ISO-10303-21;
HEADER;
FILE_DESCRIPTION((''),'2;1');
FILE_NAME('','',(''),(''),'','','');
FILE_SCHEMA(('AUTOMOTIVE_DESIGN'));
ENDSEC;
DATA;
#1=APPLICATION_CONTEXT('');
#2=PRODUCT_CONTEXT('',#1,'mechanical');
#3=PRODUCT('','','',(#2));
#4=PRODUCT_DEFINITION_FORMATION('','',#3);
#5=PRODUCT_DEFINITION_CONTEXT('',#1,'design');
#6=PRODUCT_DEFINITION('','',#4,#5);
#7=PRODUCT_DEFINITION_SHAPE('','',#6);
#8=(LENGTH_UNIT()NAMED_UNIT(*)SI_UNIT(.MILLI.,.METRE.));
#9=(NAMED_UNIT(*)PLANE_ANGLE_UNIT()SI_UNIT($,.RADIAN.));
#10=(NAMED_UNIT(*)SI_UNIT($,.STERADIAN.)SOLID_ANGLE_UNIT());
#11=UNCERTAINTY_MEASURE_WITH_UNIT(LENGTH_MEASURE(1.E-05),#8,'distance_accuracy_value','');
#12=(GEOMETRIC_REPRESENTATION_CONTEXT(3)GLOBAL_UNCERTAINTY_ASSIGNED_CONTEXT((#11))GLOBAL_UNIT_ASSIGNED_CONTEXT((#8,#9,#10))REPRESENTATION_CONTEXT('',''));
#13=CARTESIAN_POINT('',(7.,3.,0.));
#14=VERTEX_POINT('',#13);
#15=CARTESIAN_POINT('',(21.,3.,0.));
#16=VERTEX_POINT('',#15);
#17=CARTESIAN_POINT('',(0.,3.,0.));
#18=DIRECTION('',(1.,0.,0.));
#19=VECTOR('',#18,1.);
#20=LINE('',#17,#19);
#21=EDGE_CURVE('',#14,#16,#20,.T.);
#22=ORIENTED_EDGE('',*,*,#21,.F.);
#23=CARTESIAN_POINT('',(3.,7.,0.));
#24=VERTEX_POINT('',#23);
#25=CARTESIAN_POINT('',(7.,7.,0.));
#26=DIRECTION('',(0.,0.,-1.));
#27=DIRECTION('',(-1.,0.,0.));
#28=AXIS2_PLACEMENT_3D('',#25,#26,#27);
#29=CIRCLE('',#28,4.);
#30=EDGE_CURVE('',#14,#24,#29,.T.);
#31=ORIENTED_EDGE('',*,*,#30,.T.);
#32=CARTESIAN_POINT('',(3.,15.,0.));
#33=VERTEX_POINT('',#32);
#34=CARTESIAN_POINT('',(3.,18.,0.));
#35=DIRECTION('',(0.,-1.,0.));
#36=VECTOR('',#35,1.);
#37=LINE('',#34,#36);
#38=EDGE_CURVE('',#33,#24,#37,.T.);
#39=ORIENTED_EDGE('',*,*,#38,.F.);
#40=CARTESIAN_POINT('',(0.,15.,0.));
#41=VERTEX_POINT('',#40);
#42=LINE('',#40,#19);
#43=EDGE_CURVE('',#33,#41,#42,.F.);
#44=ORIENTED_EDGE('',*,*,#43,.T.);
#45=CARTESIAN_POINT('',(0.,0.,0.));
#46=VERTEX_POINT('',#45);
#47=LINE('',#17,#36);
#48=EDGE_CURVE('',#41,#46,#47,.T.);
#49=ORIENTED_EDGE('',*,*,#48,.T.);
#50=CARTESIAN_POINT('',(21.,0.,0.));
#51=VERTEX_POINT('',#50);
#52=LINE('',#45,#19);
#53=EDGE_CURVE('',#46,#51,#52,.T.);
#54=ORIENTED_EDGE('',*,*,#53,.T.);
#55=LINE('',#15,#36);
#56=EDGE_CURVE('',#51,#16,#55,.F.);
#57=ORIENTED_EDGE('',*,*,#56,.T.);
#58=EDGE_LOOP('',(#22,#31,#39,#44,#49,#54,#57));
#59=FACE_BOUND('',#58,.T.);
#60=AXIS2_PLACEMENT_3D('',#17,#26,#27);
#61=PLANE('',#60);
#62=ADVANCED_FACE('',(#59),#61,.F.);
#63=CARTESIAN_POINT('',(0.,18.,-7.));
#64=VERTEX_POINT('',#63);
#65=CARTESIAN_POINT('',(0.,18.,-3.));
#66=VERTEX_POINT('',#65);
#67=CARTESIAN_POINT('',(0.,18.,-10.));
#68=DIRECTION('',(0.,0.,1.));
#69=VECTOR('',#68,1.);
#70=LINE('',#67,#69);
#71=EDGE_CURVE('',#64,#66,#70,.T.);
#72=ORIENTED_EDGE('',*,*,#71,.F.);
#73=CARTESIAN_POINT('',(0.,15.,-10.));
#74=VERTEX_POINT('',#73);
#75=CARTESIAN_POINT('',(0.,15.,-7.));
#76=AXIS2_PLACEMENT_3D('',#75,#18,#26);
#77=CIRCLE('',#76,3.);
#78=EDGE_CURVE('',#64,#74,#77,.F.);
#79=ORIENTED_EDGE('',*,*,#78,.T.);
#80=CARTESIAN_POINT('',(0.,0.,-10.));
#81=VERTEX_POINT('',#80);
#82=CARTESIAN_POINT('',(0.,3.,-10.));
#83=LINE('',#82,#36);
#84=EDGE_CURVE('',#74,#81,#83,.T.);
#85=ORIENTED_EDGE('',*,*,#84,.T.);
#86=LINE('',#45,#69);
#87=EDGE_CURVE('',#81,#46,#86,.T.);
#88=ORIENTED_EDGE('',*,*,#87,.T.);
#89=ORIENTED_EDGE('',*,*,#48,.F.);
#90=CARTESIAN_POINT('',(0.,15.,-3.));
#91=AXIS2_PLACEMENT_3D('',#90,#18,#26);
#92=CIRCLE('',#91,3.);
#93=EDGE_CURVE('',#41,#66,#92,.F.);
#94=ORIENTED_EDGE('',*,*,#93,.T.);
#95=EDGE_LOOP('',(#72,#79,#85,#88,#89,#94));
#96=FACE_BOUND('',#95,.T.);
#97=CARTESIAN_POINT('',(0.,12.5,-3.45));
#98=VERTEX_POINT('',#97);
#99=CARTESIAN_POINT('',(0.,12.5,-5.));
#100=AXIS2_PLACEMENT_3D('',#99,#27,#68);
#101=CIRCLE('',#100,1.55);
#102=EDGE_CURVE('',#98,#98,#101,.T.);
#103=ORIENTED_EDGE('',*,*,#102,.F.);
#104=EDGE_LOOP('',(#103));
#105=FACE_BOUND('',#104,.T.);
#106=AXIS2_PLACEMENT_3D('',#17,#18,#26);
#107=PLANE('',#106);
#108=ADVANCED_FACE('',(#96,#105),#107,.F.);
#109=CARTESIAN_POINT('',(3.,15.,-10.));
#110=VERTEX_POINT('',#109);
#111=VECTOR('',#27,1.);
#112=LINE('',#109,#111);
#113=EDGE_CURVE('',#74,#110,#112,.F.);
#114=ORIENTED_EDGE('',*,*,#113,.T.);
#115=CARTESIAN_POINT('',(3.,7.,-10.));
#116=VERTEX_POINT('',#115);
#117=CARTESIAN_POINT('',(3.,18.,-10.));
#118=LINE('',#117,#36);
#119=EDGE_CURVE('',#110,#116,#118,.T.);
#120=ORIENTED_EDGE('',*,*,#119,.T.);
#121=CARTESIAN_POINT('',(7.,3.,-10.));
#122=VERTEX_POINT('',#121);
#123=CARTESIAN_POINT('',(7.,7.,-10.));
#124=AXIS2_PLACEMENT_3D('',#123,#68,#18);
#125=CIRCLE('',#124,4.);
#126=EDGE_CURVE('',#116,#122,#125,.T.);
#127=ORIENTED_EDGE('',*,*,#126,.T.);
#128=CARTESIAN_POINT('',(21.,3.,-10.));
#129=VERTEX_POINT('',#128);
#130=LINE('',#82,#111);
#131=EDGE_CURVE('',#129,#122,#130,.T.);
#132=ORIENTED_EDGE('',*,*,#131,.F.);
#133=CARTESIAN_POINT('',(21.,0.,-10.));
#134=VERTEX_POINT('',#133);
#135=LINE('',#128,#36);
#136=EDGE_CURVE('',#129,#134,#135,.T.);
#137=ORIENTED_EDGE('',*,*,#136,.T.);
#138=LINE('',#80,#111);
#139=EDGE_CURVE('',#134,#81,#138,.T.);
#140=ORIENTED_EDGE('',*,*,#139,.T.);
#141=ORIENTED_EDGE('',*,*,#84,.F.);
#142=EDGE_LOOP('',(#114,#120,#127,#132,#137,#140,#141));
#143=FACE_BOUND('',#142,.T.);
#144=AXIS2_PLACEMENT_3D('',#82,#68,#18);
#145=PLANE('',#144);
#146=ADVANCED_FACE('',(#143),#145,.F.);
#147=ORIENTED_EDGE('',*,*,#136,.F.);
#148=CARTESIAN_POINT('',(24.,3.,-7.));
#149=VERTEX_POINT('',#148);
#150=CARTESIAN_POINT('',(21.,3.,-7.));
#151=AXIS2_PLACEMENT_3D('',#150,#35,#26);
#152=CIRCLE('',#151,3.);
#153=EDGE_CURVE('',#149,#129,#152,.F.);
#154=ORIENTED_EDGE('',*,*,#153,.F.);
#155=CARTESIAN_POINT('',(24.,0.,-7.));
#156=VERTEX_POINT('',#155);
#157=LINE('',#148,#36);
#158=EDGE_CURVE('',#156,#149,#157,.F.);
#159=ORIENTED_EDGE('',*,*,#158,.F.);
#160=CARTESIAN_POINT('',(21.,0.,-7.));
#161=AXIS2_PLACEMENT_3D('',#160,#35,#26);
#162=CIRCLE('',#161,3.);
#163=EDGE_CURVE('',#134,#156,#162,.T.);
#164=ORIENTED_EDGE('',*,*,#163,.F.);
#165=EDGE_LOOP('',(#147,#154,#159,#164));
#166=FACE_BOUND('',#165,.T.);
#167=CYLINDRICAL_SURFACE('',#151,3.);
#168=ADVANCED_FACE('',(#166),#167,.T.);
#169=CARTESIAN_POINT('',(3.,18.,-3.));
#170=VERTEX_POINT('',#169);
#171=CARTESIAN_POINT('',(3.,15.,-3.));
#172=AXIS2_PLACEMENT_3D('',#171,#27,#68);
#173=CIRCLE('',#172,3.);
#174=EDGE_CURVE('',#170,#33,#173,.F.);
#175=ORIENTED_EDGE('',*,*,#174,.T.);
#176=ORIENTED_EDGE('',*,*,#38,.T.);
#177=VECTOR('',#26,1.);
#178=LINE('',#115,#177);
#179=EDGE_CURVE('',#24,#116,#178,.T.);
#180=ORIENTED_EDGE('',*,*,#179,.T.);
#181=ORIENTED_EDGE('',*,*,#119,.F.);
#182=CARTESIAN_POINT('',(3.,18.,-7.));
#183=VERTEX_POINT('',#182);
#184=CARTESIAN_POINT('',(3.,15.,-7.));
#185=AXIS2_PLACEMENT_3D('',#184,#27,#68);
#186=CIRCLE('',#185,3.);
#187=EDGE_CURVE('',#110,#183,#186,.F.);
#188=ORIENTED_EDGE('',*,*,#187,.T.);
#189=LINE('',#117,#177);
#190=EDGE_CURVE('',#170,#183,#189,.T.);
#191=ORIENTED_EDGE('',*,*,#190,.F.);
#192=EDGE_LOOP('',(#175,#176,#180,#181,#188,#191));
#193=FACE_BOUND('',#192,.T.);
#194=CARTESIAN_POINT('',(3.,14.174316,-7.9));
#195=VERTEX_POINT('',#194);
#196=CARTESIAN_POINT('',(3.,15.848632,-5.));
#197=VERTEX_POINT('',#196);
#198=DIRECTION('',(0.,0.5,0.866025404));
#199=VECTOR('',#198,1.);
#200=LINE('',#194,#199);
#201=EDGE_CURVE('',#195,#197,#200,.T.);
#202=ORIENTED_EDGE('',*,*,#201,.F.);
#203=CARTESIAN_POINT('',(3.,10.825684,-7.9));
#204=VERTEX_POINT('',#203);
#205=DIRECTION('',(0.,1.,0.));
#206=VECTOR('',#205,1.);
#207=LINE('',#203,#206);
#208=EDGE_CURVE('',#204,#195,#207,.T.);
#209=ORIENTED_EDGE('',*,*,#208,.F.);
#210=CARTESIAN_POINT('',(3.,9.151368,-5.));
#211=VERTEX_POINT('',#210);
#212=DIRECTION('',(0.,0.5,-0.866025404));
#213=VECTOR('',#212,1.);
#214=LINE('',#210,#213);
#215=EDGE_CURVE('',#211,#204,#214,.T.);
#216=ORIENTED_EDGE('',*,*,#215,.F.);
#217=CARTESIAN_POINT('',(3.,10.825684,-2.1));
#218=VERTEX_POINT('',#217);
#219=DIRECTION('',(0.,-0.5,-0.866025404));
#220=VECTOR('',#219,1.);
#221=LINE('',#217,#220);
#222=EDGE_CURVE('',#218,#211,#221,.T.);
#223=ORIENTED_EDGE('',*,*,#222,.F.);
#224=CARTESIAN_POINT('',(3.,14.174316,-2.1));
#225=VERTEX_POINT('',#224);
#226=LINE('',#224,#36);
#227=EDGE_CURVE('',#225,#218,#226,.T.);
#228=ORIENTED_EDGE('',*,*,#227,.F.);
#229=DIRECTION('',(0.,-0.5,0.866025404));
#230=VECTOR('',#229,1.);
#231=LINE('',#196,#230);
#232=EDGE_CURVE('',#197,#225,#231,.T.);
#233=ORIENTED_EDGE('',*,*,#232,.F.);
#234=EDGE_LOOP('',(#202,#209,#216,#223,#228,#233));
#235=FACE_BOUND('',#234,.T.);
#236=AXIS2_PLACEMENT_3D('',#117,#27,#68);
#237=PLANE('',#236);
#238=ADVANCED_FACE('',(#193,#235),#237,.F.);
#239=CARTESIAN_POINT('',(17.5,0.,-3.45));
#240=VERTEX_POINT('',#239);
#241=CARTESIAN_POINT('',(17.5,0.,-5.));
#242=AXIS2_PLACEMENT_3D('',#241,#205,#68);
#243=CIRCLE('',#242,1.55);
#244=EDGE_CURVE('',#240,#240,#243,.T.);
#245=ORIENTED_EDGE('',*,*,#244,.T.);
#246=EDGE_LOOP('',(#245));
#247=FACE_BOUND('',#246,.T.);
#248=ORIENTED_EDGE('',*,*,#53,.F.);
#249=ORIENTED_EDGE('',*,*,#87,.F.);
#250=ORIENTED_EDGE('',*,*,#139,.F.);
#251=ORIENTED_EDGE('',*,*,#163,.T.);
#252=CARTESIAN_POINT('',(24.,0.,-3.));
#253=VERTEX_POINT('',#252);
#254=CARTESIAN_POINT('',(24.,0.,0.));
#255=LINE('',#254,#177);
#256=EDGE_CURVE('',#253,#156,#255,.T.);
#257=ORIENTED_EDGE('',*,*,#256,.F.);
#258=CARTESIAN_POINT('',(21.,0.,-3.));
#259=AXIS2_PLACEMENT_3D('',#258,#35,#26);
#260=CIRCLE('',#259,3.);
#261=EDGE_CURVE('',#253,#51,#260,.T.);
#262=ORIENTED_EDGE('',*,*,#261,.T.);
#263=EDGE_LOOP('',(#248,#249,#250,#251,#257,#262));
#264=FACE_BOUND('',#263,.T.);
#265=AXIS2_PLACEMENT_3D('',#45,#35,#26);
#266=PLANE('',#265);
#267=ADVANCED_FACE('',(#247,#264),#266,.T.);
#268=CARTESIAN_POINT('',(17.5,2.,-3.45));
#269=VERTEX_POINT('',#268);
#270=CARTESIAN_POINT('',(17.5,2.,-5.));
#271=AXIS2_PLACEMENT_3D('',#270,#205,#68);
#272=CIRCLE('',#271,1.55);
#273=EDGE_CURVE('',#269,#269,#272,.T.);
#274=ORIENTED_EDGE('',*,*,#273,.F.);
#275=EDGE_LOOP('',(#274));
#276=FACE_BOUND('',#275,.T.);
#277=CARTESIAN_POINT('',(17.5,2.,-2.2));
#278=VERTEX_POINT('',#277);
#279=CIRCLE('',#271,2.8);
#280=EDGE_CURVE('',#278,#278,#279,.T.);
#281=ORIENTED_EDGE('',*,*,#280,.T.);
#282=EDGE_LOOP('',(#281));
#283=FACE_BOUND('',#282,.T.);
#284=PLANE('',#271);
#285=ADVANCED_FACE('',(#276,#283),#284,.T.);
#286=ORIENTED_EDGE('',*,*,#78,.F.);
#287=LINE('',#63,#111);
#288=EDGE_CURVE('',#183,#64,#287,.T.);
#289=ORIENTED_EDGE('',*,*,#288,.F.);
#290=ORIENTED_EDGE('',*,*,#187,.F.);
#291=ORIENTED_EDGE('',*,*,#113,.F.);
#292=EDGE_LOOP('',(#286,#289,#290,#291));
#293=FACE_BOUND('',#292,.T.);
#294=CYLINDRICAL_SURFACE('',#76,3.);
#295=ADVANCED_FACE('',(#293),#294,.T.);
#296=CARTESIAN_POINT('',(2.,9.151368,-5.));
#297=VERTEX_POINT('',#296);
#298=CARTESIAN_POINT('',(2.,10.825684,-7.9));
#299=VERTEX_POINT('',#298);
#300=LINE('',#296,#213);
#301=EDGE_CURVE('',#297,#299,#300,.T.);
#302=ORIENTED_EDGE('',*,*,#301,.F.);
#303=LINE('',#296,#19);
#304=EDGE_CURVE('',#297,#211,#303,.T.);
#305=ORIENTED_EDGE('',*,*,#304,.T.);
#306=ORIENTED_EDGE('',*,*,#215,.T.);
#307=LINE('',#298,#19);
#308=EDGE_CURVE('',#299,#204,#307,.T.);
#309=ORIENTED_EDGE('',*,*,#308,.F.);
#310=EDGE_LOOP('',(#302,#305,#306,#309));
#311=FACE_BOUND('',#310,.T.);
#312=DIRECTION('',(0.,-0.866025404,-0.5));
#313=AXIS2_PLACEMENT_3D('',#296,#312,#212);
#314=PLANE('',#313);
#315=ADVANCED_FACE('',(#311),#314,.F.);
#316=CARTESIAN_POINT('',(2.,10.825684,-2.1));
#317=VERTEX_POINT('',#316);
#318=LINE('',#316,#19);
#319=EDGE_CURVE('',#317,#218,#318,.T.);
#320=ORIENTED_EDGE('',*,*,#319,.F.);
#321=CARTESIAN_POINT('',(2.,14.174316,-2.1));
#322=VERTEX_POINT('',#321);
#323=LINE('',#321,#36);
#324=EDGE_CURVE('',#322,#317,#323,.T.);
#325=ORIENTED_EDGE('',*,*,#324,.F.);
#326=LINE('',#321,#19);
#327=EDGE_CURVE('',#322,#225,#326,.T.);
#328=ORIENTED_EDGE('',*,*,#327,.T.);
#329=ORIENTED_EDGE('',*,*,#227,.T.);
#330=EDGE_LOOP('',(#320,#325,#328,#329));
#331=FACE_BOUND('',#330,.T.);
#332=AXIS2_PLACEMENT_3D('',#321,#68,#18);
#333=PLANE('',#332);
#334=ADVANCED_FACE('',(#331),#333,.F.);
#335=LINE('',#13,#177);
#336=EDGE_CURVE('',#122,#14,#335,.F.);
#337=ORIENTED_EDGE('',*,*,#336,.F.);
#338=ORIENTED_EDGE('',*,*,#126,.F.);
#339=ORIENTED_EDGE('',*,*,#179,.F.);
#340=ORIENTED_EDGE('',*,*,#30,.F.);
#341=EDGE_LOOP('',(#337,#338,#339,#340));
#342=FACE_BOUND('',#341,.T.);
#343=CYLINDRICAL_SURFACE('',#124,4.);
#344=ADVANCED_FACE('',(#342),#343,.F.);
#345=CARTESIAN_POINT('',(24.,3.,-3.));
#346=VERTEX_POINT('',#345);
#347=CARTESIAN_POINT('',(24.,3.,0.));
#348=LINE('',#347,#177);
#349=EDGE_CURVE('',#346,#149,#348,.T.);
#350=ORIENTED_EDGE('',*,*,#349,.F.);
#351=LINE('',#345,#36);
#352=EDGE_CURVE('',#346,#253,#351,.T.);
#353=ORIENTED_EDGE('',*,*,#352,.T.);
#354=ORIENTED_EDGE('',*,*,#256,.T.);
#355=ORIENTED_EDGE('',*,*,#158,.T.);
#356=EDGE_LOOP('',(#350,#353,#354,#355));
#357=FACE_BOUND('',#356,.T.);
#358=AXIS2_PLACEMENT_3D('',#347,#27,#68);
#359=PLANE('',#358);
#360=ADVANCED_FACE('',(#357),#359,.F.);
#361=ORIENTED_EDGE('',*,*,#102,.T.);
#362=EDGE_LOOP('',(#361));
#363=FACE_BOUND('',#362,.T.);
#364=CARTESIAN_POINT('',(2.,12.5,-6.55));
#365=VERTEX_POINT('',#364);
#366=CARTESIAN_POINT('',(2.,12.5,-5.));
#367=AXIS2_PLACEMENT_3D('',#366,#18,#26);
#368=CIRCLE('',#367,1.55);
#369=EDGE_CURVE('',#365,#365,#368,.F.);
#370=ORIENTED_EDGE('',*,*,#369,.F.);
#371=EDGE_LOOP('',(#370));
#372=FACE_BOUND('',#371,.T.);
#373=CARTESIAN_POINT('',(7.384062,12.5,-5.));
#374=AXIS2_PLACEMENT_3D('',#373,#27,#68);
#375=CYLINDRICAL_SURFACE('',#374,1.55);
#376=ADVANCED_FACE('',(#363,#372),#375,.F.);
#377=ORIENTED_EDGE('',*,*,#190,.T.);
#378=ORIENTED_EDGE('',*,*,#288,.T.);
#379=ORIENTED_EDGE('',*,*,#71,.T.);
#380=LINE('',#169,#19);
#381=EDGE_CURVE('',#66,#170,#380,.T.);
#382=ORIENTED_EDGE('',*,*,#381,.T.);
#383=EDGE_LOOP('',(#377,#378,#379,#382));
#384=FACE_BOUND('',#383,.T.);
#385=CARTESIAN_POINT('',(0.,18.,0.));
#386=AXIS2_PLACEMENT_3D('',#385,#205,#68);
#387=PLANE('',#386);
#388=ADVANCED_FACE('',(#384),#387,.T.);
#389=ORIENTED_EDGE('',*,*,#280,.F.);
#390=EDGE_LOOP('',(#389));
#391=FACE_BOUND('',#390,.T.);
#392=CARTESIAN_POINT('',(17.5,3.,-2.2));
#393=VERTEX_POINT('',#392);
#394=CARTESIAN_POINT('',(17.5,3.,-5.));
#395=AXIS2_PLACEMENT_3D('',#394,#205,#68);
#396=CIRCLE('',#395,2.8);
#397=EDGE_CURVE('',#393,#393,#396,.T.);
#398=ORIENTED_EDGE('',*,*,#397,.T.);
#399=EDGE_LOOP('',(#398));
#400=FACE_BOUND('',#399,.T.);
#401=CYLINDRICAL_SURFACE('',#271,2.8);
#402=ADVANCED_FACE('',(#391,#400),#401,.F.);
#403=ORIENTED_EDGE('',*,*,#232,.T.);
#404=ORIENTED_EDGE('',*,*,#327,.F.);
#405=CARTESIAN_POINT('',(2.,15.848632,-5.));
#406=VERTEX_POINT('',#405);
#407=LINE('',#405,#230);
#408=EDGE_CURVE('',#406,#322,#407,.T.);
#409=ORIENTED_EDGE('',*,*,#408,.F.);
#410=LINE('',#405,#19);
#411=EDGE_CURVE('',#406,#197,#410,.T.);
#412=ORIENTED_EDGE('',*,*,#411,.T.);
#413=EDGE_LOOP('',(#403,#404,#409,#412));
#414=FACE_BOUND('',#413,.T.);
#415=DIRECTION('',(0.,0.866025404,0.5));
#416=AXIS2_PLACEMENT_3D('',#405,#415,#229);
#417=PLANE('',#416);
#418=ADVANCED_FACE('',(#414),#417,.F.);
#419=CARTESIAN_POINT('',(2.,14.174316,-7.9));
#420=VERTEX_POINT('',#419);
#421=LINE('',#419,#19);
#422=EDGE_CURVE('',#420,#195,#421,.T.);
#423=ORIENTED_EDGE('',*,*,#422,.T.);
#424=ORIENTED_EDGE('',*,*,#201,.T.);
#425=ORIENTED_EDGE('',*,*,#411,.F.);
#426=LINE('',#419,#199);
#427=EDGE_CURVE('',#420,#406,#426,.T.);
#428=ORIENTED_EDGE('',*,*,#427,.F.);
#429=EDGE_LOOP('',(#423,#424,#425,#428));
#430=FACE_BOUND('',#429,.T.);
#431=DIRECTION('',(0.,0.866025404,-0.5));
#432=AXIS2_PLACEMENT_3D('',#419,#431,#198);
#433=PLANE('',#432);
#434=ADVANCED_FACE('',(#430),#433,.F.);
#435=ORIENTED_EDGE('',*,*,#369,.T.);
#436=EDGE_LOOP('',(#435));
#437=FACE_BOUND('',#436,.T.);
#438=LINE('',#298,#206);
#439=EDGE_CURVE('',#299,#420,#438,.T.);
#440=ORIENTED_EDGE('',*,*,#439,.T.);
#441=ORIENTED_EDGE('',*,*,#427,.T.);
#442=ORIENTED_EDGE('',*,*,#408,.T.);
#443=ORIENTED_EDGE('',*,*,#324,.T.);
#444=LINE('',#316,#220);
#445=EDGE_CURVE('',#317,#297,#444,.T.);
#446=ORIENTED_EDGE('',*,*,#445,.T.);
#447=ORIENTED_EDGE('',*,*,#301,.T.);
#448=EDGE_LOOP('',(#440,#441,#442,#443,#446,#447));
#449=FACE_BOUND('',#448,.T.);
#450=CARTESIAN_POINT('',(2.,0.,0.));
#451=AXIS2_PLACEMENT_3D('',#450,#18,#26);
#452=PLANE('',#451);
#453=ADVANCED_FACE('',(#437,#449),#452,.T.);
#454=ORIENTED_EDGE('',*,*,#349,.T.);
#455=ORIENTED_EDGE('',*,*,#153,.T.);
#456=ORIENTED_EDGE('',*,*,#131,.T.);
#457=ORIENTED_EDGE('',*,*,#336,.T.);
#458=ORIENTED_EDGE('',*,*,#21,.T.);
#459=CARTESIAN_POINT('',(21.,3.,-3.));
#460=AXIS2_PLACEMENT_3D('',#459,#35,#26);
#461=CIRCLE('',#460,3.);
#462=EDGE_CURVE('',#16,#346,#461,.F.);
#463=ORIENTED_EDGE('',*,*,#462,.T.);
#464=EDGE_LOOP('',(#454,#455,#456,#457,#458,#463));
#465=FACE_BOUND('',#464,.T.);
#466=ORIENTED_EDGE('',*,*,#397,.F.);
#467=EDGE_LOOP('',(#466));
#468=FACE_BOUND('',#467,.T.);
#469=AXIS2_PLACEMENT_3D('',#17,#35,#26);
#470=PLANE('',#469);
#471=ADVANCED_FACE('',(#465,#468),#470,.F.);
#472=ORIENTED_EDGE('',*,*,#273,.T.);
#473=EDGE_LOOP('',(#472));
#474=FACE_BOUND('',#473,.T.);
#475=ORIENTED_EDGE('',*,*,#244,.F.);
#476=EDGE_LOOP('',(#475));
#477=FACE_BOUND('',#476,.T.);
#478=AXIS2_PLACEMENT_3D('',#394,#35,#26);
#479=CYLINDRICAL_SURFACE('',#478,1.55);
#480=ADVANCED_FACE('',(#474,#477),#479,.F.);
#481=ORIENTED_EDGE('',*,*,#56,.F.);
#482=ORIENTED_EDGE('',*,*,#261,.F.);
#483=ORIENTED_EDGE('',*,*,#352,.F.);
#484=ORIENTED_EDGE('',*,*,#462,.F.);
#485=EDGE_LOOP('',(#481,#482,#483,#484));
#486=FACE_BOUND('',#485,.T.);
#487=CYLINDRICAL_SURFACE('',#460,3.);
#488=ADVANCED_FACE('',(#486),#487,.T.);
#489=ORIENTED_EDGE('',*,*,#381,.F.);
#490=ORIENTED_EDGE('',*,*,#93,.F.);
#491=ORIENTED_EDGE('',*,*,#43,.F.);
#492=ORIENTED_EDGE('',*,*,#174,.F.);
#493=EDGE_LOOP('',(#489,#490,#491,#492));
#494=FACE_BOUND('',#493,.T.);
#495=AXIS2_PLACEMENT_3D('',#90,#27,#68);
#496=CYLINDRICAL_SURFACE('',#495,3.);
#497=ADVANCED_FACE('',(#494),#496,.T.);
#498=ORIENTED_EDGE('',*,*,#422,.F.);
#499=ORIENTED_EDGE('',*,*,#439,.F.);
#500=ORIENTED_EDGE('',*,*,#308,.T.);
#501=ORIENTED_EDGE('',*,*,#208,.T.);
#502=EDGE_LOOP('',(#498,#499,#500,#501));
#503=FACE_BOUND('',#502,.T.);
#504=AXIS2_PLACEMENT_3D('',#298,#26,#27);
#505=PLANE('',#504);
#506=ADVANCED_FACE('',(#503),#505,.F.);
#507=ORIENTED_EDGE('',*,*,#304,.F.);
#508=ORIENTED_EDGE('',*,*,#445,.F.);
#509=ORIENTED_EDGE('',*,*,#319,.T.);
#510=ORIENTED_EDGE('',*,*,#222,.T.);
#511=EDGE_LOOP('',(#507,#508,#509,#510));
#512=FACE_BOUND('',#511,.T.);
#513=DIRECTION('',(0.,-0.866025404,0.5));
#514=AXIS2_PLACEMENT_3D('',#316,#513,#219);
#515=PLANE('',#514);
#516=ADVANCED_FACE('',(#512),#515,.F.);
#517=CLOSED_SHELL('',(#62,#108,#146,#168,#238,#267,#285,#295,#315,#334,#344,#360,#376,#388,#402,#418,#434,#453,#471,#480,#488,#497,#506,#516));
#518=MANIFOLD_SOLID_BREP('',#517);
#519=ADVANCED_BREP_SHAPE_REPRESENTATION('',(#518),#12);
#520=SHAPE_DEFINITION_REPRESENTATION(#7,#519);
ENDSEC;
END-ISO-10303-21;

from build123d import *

# Parameters (mm, degrees)
CROQUIS1_W              = 24
CROQUIS1_H              = 10
CROQUIS1_R              = 1.55
SALIENTE_EXTRUIR1_DEPTH = 3
CROQUIS2_W              = 3
CROQUIS2_H              = 10
SALIENTE_EXTRUIR2_DEPTH = 15
CROQUIS3_R              = 1.55
CORTAR_EXTRUIR1_DEPTH   = 3
CROQUIS4_R              = 2.8
CORTAR_EXTRUIR2_DEPTH   = 1
CORTAR_EXTRUIR3_DEPTH   = 1
REDONDEO1_R             = 3
REDONDEO2_R             = 4


with BuildPart() as part:
    # Croquis1 → Saliente-Extruir1 (new body)
    with BuildSketch(Plane(origin=(0, 0, 0), x_dir=(1, 0, 0), z_dir=(0, 1, 0))):
        with Locations((12, 5)):
            Rectangle(CROQUIS1_W, CROQUIS1_H)
        with Locations(Location((17.5, 5, 0), (0, 0, 270))):
            Circle(CROQUIS1_R, mode=Mode.SUBTRACT)
    extrude(amount=SALIENTE_EXTRUIR1_DEPTH)

    # Croquis2 → Saliente-Extruir2 (add)
    with BuildSketch(Plane(origin=(0, 3, 0), x_dir=(1, 0, 0), z_dir=(0, 1, 0))):
        with Locations((1.5, 5)):
            Rectangle(CROQUIS2_W, CROQUIS2_H)
    extrude(amount=SALIENTE_EXTRUIR2_DEPTH)

    # Croquis3 → Cortar-Extruir1 (cut)
    with BuildSketch(Plane.ZY):
        with Locations((-5, 12.5)):
            Circle(CROQUIS3_R)
    extrude(amount=-CORTAR_EXTRUIR1_DEPTH, mode=Mode.SUBTRACT)

    # Croquis4 → Cortar-Extruir2 (cut)
    with BuildSketch(Plane(origin=(0, 3, 0), x_dir=(1, 0, 0), z_dir=(0, 1, 0))):
        with Locations(Location((17.5, 5, 0), (0, 0, 270))):
            Circle(CROQUIS4_R)
    extrude(amount=-CORTAR_EXTRUIR2_DEPTH, mode=Mode.SUBTRACT)

    # Croquis5 → Cortar-Extruir3 (cut)
    with BuildSketch(Plane(origin=(3, 0, 0), x_dir=(0, 0, -1), z_dir=(1, 0, 0))):
        Polygon((7.9, 14.174315781), (5, 15.848631561), (2.1, 14.174315781), (2.1, 10.825684219), (5, 9.151368439), (7.9, 10.825684219), align=None)
    extrude(amount=-CORTAR_EXTRUIR3_DEPTH, mode=Mode.SUBTRACT)

    # Redondeo1
    redondeo1_edges = [part.edges().sort_by_distance(p)[0] for p in [
        (1.5, 18, 0),
        (1.5, 18, -10),
        (24, 1.5, -10),
        (24, 1.5, 0),
    ]]
    fillet(redondeo1_edges, radius=REDONDEO1_R)

    # Redondeo2
    redondeo2_edges = [part.edges().sort_by_distance(p)[0] for p in [
        (3, 3, -5),
    ]]
    fillet(redondeo2_edges, radius=REDONDEO2_R)


solid = part.part
